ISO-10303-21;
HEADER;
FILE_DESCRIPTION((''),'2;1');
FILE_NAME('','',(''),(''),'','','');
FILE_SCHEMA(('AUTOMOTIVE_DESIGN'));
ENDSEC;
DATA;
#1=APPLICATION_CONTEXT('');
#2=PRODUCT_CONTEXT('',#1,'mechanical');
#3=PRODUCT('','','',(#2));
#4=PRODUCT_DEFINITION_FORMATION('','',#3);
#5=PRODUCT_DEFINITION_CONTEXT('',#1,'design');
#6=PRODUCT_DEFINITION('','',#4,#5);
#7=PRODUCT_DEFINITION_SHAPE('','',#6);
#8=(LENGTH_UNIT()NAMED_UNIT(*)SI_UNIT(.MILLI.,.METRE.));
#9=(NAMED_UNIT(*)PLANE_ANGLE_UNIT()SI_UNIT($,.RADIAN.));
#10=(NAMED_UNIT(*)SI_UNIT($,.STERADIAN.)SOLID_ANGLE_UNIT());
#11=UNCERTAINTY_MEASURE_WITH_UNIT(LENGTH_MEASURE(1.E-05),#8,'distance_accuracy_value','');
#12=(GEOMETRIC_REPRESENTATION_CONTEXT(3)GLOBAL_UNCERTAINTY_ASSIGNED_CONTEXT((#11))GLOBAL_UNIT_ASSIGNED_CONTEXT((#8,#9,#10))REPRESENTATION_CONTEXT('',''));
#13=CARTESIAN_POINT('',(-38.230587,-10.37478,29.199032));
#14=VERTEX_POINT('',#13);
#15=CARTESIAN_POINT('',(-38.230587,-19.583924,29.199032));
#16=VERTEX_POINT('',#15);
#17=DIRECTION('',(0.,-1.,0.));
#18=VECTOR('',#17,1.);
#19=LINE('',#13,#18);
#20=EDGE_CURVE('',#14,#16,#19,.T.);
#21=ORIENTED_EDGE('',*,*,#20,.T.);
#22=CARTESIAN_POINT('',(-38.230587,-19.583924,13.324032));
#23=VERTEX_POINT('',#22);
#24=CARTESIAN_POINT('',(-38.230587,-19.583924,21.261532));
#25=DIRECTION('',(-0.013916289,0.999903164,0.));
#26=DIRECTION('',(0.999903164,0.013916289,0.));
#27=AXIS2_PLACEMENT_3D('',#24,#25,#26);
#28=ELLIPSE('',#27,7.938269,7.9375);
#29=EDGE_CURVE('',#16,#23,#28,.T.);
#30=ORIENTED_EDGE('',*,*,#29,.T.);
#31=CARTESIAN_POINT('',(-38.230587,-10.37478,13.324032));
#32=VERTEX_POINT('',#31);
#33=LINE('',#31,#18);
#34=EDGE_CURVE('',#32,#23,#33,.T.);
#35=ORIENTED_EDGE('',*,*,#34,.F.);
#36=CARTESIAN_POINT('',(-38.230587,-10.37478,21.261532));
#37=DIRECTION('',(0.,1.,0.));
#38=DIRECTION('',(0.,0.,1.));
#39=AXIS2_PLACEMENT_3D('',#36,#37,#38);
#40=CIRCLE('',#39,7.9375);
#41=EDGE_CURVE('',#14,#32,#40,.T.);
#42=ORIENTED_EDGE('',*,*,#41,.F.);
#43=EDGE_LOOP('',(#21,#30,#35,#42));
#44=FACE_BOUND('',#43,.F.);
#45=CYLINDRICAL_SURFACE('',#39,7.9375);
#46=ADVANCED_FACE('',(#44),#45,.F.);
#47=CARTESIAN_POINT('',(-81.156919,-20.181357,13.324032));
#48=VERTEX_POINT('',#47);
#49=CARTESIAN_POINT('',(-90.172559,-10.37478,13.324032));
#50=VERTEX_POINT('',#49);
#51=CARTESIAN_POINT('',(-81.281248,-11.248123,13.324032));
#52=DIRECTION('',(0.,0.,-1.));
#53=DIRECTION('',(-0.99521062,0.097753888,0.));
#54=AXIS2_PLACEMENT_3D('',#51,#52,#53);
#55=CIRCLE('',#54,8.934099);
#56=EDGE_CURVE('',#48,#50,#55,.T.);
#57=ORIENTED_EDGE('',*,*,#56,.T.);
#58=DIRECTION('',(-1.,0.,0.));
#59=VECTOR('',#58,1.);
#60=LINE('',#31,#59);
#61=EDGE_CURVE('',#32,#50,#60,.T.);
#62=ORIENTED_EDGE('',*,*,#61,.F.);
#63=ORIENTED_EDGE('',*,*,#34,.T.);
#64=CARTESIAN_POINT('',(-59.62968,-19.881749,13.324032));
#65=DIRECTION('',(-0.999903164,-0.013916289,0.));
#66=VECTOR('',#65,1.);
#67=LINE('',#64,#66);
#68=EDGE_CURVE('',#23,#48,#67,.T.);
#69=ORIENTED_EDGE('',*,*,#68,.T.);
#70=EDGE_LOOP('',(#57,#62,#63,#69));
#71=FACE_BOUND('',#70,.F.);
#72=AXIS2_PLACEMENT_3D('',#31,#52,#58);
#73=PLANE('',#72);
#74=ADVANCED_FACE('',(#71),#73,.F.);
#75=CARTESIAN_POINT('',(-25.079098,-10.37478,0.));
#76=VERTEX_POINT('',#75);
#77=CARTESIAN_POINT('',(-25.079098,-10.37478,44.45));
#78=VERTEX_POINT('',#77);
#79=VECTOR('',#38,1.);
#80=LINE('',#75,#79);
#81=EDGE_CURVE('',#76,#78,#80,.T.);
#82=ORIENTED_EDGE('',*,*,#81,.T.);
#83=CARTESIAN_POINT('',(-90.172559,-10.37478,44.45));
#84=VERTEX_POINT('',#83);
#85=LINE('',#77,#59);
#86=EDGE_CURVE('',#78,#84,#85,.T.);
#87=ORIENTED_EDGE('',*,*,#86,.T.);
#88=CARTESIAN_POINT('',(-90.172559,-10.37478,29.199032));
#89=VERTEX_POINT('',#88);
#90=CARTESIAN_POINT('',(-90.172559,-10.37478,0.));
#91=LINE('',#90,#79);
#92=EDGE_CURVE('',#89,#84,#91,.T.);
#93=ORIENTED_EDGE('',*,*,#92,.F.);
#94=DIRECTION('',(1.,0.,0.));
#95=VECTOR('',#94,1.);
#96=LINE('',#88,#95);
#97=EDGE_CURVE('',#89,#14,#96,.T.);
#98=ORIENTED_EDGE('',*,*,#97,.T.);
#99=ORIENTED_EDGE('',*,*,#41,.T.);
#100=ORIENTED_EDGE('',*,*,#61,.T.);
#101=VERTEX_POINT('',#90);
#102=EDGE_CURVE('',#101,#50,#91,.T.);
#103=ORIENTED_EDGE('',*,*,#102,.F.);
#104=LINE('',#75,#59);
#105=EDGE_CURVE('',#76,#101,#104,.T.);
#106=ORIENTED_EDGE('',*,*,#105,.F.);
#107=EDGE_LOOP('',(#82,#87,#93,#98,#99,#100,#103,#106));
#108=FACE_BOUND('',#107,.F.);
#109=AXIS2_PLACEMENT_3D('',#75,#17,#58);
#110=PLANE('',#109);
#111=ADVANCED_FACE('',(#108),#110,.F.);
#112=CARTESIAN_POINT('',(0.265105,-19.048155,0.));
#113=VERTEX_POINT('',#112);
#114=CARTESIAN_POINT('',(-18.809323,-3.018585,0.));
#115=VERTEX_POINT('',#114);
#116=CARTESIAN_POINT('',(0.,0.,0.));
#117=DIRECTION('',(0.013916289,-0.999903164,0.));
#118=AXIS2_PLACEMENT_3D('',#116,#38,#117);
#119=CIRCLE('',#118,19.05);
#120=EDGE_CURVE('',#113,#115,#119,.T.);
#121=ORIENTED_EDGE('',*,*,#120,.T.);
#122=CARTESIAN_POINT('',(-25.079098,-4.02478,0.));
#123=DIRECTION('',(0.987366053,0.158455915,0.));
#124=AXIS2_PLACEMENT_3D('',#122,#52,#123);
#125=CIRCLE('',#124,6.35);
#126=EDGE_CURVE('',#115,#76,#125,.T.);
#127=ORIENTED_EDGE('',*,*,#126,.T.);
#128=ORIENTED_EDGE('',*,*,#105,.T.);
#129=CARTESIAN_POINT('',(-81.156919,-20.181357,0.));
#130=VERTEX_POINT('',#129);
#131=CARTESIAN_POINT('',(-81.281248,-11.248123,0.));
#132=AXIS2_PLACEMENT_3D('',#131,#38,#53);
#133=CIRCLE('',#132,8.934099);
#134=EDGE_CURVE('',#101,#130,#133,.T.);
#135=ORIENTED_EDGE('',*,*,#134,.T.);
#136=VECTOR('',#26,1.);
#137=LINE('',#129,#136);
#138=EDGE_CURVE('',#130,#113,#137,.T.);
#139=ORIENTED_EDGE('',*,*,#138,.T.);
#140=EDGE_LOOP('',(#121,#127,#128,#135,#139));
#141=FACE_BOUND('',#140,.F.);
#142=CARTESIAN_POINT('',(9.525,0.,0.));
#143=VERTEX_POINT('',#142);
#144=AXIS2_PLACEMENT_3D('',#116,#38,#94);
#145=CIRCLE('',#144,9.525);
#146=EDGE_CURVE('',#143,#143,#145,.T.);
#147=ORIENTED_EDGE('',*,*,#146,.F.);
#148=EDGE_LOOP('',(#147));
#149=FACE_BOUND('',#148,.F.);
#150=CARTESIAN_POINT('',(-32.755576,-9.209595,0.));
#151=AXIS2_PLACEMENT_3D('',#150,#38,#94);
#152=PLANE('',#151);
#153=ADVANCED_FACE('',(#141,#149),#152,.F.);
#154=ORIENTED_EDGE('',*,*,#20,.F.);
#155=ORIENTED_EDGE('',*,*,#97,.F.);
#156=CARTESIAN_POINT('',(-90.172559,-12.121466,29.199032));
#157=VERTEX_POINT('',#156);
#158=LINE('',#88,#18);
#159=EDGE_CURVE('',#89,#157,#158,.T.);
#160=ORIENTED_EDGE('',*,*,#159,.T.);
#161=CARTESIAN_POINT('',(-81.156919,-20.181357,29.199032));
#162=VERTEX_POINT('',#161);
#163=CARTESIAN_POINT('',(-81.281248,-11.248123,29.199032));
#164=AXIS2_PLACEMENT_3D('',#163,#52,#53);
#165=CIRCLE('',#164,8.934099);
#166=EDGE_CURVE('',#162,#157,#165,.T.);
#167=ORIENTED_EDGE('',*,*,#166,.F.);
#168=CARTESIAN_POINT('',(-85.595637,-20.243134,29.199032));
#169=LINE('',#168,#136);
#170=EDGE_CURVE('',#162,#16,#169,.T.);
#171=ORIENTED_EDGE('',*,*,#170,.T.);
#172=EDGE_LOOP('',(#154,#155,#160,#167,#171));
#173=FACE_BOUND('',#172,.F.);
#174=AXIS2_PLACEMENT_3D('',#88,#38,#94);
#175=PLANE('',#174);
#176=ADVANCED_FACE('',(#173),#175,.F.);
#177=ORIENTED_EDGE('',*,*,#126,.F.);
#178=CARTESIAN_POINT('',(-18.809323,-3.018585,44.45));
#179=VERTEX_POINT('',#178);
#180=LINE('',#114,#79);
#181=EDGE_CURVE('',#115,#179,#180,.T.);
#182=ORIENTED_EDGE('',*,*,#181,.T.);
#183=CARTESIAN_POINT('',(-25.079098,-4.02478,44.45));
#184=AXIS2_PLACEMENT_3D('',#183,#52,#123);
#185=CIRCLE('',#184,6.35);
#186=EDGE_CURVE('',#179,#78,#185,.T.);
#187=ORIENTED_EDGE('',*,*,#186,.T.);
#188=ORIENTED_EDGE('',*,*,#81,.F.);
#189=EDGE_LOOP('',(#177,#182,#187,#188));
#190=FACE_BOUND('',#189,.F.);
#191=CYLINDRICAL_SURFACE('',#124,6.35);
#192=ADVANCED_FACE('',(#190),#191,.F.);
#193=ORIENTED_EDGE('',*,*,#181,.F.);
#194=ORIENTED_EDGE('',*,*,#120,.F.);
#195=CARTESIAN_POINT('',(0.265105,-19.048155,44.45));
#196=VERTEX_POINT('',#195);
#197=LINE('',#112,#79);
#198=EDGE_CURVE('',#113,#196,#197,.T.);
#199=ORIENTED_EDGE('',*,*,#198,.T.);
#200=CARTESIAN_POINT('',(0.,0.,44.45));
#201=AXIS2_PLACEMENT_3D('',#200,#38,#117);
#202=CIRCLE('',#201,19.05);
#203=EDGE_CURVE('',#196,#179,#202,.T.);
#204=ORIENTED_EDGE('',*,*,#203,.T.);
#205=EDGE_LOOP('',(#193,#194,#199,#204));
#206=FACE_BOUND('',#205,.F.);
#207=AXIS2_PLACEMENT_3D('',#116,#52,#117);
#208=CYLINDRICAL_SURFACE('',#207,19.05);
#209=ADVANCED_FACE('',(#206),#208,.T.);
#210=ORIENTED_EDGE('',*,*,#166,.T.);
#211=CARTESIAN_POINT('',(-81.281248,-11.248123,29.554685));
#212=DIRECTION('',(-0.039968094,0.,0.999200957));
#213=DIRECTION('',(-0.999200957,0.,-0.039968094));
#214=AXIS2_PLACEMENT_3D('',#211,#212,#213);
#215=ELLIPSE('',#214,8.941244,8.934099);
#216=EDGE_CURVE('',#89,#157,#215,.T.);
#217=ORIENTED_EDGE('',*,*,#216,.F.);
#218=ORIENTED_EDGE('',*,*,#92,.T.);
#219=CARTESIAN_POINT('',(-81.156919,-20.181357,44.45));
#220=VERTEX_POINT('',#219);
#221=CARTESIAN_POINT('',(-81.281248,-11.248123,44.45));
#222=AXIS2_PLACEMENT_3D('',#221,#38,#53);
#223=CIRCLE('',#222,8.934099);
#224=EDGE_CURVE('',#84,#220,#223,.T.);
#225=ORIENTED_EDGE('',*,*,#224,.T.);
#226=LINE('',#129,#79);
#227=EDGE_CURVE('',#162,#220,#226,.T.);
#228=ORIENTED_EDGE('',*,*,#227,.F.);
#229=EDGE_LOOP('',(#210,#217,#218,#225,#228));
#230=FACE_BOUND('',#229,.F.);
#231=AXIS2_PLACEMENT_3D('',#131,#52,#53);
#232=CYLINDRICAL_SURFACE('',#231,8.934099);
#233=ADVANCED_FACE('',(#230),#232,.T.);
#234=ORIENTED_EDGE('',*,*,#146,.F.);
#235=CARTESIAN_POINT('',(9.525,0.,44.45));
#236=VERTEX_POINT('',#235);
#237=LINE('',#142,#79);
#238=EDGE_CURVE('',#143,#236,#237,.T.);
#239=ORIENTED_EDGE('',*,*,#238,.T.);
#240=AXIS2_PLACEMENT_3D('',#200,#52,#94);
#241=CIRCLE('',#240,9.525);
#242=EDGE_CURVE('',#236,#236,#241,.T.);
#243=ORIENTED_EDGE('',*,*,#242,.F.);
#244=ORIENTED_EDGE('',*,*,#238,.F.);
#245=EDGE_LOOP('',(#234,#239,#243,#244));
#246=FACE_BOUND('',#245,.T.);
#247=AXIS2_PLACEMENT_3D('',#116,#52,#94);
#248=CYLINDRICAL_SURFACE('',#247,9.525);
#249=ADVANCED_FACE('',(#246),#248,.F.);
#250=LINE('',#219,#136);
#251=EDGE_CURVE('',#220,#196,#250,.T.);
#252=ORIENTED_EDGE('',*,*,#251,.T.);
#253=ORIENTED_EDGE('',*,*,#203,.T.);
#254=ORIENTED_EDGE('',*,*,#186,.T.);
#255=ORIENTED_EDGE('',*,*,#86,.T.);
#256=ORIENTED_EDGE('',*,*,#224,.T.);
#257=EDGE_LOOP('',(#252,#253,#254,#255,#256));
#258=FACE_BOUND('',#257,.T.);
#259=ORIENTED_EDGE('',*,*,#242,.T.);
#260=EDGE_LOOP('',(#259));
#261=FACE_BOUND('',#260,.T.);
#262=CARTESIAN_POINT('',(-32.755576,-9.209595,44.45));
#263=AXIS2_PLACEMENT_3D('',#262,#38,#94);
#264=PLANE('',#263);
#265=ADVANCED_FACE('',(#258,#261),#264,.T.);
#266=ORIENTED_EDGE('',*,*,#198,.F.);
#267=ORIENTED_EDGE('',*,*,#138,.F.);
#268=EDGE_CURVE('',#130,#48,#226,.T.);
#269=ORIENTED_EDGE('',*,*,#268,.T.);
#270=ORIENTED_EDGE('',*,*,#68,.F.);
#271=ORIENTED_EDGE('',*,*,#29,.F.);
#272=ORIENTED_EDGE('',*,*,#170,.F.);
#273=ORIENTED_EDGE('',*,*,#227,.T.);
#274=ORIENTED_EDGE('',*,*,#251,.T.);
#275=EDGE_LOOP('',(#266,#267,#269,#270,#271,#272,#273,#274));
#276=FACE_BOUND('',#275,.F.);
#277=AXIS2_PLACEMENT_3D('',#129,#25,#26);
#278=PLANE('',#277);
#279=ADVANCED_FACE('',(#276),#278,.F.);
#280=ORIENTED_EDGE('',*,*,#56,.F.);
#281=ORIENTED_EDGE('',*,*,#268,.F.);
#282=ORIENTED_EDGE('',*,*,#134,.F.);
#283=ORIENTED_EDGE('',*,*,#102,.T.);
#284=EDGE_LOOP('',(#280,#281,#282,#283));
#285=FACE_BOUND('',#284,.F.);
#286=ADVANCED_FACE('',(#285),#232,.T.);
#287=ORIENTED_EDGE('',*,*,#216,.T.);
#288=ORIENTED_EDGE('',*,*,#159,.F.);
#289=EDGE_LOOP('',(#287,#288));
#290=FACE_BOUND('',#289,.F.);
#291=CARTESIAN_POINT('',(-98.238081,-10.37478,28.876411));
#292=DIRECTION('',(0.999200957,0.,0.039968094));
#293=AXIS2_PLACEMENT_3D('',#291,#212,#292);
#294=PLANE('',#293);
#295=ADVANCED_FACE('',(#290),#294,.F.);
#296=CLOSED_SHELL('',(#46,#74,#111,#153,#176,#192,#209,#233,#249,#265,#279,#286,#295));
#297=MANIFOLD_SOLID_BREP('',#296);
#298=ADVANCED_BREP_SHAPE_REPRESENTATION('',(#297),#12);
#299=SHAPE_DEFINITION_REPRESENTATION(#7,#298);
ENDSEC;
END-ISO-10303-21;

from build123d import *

# Parameters (mm, degrees)
F1_DEPTH = 44.45
F2_R     = 9.525
F3_DEPTH = 50.8
F4_W     = 9.3673091604
F4_H     = 15.875
F5_DEPTH = 50.8


with BuildPart() as f1:
    # F0 (on Top) → F1 (new body)
    with BuildSketch(Plane.XY):
        with BuildLine():
            Line((-81.1569189035, -20.1813574524), (0.265105312, -19.0481552696))
            ThreePointArc((0.265105312, -19.0481552696), (12.2559693491, 14.584022604), (-18.8093233143, -3.0185851749))
            ThreePointArc((-18.8093233143, -3.0185851749), (-20.2463015318, -8.1438311785), (-25.0790977524, -10.3747802332))
            Line((-25.0790977524, -10.3747802332), (-35.6496162713, -10.3747802332))
            Line((-35.6496162713, -10.3747802332), (-78.4760718424, -10.3747802332))
            Line((-78.4760718424, -10.3747802332), (-81.139177084, -10.3747802332))
            Line((-81.139177084, -10.3747802332), (-90.1725590229, -10.3747802332))
            ThreePointArc((-90.1725590229, -10.3747802332), (-87.8582711897, -17.294684498), (-81.1569189035, -20.1813574524))
        make_face()
        with BuildLine():
            ThreePointArc((-81.2756354813, -10.3766794116), (-81.2074128903, -10.3752550508), (-81.139177084, -10.3747802332))
            Line((-81.139177084, -10.3747802332), (-81.2756354813, -10.3766794116))
        make_face(mode=Mode.SUBTRACT)
        with BuildLine():
            Line((-81.2756354813, -10.3766794116), (-81.139177084, -10.3747802332))
            ThreePointArc((-81.139177084, -10.3747802332), (-81.2074128903, -10.3752550508), (-81.2756354813, -10.3766794116))
        make_face()
    extrude(amount=F1_DEPTH)

    # F2 (on Top) → F3 (cut)
    with BuildSketch(Plane.XY):
        Circle(F2_R)
    extrude(amount=F3_DEPTH, mode=Mode.SUBTRACT)

    # F4 (on face) → F5 (cut)
    with BuildSketch(Plane(origin=(0, -10.3747802332, 0), x_dir=(-1, 0, 0), z_dir=(0, 1, 0))):
        with BuildLine():
            Line((38.230586797, 13.324032113), (77.2564191149, 13.324032113))
            Line((77.2564191149, 13.324032113), (77.2564191149, 29.199032113))
            Line((77.2564191149, 29.199032113), (38.230586797, 29.199032113))
            ThreePointArc((38.230586797, 29.199032113), (30.293086797, 21.261532113), (38.230586797, 13.324032113))
        make_face()
        with Locations((81.9400736951, 21.261532113)):
            Rectangle(F4_W, F4_H)
        Polygon((86.6237282753, 29.199032113), (86.6237282753, 13.324032113), (90.1725590229, 13.324032113), (98.23808074, 13.324032113), (98.23808074, 28.8764107972), (90.1725590229, 29.199032113), align=None)
    extrude(amount=-F5_DEPTH, mode=Mode.SUBTRACT)


solid = f1.part
